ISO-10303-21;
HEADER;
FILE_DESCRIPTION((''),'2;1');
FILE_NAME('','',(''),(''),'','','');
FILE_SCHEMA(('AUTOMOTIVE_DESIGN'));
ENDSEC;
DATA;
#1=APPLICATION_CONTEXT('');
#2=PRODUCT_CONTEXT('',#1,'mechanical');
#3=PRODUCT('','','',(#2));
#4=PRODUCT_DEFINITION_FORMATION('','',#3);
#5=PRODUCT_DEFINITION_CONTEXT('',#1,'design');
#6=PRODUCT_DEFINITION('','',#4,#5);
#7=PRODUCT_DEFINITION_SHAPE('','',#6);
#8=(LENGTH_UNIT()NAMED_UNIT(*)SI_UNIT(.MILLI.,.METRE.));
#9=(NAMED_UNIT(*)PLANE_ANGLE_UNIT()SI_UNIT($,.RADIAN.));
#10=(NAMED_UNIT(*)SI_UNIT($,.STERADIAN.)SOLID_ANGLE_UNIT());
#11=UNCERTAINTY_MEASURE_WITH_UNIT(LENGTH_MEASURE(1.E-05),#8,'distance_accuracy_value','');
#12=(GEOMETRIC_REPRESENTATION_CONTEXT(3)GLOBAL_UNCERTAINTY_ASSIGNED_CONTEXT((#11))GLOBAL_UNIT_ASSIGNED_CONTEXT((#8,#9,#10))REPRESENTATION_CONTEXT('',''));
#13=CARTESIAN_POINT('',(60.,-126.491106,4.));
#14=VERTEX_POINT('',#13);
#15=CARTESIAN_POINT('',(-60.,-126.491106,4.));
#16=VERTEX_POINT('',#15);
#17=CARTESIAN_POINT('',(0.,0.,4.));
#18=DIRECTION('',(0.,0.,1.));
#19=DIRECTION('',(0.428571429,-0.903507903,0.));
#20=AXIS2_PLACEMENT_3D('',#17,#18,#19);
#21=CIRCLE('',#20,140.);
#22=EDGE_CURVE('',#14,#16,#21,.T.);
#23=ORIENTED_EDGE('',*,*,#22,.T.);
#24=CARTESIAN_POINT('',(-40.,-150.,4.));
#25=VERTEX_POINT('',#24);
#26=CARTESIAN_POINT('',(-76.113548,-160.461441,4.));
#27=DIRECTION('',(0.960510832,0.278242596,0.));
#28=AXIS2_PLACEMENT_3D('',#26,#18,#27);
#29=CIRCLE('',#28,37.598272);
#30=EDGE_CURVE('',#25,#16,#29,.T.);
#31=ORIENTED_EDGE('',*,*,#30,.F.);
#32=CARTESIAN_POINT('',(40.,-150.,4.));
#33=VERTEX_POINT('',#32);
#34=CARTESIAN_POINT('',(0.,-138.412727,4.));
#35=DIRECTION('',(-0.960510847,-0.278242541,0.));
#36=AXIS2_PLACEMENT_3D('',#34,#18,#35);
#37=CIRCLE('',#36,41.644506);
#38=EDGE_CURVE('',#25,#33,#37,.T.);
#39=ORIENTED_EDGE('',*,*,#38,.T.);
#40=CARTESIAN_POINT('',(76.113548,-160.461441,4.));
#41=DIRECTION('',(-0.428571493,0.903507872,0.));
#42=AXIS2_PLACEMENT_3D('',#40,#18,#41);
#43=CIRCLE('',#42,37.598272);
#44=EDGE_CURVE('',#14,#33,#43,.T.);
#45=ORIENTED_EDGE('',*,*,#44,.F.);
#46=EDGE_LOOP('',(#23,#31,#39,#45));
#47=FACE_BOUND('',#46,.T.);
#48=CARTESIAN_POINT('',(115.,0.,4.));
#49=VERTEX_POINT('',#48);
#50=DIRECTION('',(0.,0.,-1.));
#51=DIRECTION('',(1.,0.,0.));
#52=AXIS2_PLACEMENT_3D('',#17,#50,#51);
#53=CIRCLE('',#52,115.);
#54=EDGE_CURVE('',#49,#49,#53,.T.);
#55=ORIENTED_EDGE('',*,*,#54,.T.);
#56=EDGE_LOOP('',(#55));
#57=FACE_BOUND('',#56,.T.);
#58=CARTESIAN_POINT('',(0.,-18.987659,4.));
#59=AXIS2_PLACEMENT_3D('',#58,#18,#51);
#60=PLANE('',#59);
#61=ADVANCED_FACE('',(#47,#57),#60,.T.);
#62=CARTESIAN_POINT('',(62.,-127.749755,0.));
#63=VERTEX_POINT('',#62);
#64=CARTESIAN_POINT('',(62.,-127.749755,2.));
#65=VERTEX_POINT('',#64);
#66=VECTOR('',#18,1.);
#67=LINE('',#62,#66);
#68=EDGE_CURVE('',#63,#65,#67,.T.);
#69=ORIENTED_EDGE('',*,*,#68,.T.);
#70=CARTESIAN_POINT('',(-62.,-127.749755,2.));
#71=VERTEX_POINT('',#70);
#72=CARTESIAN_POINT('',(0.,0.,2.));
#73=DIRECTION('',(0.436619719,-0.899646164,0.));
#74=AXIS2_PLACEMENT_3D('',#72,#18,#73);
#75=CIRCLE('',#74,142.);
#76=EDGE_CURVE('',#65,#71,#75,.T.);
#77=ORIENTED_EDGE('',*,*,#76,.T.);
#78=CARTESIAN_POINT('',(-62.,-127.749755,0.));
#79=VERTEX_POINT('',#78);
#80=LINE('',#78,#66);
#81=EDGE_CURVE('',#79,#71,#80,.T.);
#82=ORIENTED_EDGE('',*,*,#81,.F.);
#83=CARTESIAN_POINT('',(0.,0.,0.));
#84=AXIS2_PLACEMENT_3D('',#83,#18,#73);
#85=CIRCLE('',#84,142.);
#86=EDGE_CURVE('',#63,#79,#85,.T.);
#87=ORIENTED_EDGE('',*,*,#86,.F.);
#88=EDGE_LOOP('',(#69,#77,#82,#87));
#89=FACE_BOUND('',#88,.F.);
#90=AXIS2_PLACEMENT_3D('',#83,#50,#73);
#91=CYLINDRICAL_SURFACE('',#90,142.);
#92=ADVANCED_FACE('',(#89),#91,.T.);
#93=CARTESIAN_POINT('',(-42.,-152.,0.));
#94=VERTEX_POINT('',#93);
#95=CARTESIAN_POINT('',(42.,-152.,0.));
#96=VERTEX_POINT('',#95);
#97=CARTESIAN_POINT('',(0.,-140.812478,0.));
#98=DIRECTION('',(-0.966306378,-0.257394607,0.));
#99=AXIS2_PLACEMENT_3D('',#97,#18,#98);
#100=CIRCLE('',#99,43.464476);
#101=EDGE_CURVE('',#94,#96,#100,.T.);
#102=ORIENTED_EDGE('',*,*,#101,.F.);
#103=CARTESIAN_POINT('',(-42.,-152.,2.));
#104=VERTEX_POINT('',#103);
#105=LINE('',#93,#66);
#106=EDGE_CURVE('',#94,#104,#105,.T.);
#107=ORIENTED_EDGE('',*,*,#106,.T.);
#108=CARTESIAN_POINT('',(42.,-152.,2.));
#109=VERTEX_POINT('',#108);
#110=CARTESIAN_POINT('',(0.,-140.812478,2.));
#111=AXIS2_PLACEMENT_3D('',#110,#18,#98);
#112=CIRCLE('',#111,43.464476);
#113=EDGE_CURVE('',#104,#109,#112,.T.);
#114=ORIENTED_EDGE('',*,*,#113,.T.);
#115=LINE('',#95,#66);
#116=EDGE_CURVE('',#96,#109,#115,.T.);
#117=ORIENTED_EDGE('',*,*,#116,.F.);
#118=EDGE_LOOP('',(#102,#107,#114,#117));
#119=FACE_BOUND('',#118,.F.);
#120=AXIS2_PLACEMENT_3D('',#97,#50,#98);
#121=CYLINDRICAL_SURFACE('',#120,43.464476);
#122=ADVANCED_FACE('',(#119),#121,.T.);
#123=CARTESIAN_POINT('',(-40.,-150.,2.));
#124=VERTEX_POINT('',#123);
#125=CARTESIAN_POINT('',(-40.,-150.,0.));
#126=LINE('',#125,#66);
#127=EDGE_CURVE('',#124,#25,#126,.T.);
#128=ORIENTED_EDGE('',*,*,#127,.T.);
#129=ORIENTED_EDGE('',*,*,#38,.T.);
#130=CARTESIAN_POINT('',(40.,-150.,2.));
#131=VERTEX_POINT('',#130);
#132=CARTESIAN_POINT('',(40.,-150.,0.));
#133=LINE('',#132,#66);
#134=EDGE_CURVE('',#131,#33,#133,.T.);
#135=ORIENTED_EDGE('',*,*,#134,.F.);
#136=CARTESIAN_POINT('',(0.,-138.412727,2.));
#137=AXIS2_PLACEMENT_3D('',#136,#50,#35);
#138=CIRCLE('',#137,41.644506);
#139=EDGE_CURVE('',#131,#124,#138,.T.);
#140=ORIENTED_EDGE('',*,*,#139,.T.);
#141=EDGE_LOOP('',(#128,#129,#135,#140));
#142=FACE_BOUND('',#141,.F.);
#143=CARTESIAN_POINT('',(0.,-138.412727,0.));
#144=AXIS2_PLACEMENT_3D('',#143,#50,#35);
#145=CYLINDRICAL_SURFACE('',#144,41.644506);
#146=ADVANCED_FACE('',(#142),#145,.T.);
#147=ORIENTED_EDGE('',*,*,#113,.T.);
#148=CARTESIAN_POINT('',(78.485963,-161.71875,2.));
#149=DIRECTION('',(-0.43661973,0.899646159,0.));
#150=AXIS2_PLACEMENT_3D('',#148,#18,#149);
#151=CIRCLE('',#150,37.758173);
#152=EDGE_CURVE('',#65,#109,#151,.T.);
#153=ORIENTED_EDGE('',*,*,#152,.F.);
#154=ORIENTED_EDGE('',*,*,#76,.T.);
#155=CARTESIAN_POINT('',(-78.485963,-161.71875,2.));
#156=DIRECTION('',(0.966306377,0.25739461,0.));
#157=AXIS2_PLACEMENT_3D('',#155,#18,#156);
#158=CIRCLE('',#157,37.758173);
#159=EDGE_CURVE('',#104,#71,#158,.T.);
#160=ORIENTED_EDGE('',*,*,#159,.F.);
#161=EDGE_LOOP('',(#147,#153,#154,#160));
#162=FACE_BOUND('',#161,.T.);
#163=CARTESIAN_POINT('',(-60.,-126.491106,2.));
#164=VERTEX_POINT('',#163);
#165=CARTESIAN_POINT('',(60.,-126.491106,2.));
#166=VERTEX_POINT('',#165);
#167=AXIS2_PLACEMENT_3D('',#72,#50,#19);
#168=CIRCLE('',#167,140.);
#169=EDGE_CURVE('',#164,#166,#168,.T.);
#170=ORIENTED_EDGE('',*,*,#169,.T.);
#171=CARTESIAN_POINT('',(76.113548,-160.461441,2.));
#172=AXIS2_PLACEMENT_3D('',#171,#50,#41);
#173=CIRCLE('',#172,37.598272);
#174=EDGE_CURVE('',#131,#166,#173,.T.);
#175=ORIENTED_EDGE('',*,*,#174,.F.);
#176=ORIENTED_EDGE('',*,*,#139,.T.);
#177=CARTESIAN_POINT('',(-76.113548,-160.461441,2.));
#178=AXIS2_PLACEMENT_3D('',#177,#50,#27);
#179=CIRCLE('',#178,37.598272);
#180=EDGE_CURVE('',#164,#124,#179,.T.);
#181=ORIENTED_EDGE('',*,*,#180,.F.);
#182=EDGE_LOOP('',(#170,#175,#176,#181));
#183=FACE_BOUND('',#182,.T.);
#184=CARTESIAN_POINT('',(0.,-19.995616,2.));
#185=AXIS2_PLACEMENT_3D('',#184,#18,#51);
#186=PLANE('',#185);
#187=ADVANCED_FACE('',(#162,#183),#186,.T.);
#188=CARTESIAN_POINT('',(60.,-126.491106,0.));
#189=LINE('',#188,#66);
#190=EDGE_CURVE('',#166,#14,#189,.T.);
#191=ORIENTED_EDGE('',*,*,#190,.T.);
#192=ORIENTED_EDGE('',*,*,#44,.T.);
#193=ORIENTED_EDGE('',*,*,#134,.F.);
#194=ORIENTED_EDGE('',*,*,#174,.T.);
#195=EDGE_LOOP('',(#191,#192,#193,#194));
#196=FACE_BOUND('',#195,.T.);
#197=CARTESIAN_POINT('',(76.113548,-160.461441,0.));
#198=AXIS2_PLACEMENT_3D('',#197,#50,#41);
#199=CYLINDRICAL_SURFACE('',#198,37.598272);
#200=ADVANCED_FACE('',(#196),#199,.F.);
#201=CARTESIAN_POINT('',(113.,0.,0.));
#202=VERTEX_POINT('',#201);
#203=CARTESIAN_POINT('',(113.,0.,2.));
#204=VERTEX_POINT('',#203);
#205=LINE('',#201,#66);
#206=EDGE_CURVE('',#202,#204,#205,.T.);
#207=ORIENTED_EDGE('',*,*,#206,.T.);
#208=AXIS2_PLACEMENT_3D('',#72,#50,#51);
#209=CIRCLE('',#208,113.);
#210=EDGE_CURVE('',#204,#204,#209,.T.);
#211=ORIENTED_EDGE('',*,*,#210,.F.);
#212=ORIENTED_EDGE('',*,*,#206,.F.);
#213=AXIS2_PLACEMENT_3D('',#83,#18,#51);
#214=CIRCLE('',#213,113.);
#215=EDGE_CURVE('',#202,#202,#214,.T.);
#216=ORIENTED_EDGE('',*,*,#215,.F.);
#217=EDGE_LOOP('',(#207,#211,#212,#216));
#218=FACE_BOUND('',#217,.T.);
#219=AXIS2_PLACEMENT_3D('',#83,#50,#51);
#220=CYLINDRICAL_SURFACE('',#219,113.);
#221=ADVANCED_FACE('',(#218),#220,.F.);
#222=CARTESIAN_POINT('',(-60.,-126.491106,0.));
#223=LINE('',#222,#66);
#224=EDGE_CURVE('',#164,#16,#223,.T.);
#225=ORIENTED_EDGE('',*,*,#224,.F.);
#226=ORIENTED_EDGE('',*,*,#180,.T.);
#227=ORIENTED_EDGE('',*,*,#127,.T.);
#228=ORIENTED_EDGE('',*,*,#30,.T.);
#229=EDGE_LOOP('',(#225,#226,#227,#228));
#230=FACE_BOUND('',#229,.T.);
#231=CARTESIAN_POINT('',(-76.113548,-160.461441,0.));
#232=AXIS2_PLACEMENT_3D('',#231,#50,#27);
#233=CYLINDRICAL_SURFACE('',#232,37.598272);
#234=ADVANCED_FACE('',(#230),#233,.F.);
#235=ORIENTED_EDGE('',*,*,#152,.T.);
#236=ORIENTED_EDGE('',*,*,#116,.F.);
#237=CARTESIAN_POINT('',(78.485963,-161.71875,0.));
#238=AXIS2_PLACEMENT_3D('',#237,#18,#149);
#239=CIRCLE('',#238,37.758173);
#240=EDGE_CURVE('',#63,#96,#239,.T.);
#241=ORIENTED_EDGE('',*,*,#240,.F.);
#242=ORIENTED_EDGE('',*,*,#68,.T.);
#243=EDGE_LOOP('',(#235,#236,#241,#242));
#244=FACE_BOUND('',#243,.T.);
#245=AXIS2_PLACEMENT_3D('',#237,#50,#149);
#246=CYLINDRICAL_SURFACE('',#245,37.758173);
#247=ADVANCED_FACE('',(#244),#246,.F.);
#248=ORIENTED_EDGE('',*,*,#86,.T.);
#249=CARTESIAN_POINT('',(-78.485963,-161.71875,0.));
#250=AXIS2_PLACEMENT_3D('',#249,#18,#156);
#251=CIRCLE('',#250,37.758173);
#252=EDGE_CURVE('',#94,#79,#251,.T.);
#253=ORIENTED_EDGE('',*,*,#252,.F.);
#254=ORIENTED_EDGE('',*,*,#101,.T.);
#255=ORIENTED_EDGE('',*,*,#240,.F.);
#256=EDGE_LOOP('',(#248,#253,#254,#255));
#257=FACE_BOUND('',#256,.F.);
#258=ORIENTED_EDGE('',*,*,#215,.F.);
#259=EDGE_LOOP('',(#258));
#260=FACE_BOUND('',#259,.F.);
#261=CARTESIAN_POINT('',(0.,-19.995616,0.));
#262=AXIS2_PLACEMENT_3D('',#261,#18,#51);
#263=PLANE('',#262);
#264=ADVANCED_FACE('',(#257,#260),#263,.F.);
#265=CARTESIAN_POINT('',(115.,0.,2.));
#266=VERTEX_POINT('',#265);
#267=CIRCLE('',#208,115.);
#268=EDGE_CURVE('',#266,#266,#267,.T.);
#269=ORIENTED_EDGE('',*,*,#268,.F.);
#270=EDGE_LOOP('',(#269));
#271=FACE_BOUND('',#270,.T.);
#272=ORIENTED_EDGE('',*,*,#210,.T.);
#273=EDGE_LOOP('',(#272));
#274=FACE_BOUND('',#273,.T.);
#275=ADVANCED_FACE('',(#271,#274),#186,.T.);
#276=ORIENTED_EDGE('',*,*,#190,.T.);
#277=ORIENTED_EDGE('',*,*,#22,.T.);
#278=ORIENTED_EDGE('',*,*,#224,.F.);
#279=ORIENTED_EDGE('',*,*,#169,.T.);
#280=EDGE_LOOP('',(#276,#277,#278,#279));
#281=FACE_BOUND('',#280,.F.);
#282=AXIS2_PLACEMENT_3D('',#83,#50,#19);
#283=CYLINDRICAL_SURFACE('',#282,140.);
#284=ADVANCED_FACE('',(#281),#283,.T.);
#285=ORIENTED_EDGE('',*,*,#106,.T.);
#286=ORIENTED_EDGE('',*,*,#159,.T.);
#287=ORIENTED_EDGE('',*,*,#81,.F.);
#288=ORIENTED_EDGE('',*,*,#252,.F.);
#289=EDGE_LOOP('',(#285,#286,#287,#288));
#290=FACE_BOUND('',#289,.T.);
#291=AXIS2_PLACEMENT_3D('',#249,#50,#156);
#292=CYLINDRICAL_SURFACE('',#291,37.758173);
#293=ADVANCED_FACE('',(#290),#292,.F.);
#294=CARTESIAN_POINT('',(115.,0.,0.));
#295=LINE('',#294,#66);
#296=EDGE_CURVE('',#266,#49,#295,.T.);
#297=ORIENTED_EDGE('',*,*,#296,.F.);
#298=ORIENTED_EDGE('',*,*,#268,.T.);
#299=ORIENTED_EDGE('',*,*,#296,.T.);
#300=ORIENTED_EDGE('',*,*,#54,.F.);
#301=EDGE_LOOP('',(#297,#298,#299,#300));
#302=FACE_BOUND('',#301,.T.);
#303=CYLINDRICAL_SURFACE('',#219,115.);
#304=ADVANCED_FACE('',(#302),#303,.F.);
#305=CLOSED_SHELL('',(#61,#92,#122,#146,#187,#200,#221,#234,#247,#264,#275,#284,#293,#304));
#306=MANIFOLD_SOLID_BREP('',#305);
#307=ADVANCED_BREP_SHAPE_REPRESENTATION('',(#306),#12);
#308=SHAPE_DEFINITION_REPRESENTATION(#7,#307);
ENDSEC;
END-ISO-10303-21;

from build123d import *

# Parameters (mm, degrees)
PAD_DEPTH       = 4
SKETCH001_R     = 115
POCKET_DEPTH    = 10
PAD001_DEPTH    = 2
SKETCH003_R     = 113
POCKET001_DEPTH = 5


with BuildPart() as part:
    # Sketch → Pad (new body)
    with BuildSketch(Plane.XY):
        with BuildLine():
            ThreePointArc((60, -126.491106), (0, 140), (-60, -126.491106))
            ThreePointArc((-40, -150), (-47.476432, -136.098648), (-60, -126.491106))
            ThreePointArc((-40, -150), (0, -180.057233), (40, -150))
            ThreePointArc((60, -126.491106), (47.476432, -136.098648), (40, -150))
        make_face()
    extrude(amount=PAD_DEPTH)

    # Sketch001 → Pocket (cut)
    with BuildSketch(Plane.XY):
        Circle(SKETCH001_R)
    extrude(amount=POCKET_DEPTH, mode=Mode.SUBTRACT)

    # Sketch002 → Pad001 (join)
    with BuildSketch(Plane.XY):
        with BuildLine():
            ThreePointArc((62, -127.749755), (0, 142), (-62, -127.749755))
            ThreePointArc((-42, -152), (-49.356513, -137.694705), (-62, -127.749755))
            ThreePointArc((-42, -152), (0, -184.276954), (42, -152))
            ThreePointArc((62, -127.749755), (49.356513, -137.694705), (42, -152))
        make_face()
    extrude(amount=PAD001_DEPTH)

    # Sketch003 → Pocket001 (cut)
    with BuildSketch(Plane.XY):
        Circle(SKETCH003_R)
    extrude(amount=POCKET001_DEPTH, mode=Mode.SUBTRACT)


solid = part.part
